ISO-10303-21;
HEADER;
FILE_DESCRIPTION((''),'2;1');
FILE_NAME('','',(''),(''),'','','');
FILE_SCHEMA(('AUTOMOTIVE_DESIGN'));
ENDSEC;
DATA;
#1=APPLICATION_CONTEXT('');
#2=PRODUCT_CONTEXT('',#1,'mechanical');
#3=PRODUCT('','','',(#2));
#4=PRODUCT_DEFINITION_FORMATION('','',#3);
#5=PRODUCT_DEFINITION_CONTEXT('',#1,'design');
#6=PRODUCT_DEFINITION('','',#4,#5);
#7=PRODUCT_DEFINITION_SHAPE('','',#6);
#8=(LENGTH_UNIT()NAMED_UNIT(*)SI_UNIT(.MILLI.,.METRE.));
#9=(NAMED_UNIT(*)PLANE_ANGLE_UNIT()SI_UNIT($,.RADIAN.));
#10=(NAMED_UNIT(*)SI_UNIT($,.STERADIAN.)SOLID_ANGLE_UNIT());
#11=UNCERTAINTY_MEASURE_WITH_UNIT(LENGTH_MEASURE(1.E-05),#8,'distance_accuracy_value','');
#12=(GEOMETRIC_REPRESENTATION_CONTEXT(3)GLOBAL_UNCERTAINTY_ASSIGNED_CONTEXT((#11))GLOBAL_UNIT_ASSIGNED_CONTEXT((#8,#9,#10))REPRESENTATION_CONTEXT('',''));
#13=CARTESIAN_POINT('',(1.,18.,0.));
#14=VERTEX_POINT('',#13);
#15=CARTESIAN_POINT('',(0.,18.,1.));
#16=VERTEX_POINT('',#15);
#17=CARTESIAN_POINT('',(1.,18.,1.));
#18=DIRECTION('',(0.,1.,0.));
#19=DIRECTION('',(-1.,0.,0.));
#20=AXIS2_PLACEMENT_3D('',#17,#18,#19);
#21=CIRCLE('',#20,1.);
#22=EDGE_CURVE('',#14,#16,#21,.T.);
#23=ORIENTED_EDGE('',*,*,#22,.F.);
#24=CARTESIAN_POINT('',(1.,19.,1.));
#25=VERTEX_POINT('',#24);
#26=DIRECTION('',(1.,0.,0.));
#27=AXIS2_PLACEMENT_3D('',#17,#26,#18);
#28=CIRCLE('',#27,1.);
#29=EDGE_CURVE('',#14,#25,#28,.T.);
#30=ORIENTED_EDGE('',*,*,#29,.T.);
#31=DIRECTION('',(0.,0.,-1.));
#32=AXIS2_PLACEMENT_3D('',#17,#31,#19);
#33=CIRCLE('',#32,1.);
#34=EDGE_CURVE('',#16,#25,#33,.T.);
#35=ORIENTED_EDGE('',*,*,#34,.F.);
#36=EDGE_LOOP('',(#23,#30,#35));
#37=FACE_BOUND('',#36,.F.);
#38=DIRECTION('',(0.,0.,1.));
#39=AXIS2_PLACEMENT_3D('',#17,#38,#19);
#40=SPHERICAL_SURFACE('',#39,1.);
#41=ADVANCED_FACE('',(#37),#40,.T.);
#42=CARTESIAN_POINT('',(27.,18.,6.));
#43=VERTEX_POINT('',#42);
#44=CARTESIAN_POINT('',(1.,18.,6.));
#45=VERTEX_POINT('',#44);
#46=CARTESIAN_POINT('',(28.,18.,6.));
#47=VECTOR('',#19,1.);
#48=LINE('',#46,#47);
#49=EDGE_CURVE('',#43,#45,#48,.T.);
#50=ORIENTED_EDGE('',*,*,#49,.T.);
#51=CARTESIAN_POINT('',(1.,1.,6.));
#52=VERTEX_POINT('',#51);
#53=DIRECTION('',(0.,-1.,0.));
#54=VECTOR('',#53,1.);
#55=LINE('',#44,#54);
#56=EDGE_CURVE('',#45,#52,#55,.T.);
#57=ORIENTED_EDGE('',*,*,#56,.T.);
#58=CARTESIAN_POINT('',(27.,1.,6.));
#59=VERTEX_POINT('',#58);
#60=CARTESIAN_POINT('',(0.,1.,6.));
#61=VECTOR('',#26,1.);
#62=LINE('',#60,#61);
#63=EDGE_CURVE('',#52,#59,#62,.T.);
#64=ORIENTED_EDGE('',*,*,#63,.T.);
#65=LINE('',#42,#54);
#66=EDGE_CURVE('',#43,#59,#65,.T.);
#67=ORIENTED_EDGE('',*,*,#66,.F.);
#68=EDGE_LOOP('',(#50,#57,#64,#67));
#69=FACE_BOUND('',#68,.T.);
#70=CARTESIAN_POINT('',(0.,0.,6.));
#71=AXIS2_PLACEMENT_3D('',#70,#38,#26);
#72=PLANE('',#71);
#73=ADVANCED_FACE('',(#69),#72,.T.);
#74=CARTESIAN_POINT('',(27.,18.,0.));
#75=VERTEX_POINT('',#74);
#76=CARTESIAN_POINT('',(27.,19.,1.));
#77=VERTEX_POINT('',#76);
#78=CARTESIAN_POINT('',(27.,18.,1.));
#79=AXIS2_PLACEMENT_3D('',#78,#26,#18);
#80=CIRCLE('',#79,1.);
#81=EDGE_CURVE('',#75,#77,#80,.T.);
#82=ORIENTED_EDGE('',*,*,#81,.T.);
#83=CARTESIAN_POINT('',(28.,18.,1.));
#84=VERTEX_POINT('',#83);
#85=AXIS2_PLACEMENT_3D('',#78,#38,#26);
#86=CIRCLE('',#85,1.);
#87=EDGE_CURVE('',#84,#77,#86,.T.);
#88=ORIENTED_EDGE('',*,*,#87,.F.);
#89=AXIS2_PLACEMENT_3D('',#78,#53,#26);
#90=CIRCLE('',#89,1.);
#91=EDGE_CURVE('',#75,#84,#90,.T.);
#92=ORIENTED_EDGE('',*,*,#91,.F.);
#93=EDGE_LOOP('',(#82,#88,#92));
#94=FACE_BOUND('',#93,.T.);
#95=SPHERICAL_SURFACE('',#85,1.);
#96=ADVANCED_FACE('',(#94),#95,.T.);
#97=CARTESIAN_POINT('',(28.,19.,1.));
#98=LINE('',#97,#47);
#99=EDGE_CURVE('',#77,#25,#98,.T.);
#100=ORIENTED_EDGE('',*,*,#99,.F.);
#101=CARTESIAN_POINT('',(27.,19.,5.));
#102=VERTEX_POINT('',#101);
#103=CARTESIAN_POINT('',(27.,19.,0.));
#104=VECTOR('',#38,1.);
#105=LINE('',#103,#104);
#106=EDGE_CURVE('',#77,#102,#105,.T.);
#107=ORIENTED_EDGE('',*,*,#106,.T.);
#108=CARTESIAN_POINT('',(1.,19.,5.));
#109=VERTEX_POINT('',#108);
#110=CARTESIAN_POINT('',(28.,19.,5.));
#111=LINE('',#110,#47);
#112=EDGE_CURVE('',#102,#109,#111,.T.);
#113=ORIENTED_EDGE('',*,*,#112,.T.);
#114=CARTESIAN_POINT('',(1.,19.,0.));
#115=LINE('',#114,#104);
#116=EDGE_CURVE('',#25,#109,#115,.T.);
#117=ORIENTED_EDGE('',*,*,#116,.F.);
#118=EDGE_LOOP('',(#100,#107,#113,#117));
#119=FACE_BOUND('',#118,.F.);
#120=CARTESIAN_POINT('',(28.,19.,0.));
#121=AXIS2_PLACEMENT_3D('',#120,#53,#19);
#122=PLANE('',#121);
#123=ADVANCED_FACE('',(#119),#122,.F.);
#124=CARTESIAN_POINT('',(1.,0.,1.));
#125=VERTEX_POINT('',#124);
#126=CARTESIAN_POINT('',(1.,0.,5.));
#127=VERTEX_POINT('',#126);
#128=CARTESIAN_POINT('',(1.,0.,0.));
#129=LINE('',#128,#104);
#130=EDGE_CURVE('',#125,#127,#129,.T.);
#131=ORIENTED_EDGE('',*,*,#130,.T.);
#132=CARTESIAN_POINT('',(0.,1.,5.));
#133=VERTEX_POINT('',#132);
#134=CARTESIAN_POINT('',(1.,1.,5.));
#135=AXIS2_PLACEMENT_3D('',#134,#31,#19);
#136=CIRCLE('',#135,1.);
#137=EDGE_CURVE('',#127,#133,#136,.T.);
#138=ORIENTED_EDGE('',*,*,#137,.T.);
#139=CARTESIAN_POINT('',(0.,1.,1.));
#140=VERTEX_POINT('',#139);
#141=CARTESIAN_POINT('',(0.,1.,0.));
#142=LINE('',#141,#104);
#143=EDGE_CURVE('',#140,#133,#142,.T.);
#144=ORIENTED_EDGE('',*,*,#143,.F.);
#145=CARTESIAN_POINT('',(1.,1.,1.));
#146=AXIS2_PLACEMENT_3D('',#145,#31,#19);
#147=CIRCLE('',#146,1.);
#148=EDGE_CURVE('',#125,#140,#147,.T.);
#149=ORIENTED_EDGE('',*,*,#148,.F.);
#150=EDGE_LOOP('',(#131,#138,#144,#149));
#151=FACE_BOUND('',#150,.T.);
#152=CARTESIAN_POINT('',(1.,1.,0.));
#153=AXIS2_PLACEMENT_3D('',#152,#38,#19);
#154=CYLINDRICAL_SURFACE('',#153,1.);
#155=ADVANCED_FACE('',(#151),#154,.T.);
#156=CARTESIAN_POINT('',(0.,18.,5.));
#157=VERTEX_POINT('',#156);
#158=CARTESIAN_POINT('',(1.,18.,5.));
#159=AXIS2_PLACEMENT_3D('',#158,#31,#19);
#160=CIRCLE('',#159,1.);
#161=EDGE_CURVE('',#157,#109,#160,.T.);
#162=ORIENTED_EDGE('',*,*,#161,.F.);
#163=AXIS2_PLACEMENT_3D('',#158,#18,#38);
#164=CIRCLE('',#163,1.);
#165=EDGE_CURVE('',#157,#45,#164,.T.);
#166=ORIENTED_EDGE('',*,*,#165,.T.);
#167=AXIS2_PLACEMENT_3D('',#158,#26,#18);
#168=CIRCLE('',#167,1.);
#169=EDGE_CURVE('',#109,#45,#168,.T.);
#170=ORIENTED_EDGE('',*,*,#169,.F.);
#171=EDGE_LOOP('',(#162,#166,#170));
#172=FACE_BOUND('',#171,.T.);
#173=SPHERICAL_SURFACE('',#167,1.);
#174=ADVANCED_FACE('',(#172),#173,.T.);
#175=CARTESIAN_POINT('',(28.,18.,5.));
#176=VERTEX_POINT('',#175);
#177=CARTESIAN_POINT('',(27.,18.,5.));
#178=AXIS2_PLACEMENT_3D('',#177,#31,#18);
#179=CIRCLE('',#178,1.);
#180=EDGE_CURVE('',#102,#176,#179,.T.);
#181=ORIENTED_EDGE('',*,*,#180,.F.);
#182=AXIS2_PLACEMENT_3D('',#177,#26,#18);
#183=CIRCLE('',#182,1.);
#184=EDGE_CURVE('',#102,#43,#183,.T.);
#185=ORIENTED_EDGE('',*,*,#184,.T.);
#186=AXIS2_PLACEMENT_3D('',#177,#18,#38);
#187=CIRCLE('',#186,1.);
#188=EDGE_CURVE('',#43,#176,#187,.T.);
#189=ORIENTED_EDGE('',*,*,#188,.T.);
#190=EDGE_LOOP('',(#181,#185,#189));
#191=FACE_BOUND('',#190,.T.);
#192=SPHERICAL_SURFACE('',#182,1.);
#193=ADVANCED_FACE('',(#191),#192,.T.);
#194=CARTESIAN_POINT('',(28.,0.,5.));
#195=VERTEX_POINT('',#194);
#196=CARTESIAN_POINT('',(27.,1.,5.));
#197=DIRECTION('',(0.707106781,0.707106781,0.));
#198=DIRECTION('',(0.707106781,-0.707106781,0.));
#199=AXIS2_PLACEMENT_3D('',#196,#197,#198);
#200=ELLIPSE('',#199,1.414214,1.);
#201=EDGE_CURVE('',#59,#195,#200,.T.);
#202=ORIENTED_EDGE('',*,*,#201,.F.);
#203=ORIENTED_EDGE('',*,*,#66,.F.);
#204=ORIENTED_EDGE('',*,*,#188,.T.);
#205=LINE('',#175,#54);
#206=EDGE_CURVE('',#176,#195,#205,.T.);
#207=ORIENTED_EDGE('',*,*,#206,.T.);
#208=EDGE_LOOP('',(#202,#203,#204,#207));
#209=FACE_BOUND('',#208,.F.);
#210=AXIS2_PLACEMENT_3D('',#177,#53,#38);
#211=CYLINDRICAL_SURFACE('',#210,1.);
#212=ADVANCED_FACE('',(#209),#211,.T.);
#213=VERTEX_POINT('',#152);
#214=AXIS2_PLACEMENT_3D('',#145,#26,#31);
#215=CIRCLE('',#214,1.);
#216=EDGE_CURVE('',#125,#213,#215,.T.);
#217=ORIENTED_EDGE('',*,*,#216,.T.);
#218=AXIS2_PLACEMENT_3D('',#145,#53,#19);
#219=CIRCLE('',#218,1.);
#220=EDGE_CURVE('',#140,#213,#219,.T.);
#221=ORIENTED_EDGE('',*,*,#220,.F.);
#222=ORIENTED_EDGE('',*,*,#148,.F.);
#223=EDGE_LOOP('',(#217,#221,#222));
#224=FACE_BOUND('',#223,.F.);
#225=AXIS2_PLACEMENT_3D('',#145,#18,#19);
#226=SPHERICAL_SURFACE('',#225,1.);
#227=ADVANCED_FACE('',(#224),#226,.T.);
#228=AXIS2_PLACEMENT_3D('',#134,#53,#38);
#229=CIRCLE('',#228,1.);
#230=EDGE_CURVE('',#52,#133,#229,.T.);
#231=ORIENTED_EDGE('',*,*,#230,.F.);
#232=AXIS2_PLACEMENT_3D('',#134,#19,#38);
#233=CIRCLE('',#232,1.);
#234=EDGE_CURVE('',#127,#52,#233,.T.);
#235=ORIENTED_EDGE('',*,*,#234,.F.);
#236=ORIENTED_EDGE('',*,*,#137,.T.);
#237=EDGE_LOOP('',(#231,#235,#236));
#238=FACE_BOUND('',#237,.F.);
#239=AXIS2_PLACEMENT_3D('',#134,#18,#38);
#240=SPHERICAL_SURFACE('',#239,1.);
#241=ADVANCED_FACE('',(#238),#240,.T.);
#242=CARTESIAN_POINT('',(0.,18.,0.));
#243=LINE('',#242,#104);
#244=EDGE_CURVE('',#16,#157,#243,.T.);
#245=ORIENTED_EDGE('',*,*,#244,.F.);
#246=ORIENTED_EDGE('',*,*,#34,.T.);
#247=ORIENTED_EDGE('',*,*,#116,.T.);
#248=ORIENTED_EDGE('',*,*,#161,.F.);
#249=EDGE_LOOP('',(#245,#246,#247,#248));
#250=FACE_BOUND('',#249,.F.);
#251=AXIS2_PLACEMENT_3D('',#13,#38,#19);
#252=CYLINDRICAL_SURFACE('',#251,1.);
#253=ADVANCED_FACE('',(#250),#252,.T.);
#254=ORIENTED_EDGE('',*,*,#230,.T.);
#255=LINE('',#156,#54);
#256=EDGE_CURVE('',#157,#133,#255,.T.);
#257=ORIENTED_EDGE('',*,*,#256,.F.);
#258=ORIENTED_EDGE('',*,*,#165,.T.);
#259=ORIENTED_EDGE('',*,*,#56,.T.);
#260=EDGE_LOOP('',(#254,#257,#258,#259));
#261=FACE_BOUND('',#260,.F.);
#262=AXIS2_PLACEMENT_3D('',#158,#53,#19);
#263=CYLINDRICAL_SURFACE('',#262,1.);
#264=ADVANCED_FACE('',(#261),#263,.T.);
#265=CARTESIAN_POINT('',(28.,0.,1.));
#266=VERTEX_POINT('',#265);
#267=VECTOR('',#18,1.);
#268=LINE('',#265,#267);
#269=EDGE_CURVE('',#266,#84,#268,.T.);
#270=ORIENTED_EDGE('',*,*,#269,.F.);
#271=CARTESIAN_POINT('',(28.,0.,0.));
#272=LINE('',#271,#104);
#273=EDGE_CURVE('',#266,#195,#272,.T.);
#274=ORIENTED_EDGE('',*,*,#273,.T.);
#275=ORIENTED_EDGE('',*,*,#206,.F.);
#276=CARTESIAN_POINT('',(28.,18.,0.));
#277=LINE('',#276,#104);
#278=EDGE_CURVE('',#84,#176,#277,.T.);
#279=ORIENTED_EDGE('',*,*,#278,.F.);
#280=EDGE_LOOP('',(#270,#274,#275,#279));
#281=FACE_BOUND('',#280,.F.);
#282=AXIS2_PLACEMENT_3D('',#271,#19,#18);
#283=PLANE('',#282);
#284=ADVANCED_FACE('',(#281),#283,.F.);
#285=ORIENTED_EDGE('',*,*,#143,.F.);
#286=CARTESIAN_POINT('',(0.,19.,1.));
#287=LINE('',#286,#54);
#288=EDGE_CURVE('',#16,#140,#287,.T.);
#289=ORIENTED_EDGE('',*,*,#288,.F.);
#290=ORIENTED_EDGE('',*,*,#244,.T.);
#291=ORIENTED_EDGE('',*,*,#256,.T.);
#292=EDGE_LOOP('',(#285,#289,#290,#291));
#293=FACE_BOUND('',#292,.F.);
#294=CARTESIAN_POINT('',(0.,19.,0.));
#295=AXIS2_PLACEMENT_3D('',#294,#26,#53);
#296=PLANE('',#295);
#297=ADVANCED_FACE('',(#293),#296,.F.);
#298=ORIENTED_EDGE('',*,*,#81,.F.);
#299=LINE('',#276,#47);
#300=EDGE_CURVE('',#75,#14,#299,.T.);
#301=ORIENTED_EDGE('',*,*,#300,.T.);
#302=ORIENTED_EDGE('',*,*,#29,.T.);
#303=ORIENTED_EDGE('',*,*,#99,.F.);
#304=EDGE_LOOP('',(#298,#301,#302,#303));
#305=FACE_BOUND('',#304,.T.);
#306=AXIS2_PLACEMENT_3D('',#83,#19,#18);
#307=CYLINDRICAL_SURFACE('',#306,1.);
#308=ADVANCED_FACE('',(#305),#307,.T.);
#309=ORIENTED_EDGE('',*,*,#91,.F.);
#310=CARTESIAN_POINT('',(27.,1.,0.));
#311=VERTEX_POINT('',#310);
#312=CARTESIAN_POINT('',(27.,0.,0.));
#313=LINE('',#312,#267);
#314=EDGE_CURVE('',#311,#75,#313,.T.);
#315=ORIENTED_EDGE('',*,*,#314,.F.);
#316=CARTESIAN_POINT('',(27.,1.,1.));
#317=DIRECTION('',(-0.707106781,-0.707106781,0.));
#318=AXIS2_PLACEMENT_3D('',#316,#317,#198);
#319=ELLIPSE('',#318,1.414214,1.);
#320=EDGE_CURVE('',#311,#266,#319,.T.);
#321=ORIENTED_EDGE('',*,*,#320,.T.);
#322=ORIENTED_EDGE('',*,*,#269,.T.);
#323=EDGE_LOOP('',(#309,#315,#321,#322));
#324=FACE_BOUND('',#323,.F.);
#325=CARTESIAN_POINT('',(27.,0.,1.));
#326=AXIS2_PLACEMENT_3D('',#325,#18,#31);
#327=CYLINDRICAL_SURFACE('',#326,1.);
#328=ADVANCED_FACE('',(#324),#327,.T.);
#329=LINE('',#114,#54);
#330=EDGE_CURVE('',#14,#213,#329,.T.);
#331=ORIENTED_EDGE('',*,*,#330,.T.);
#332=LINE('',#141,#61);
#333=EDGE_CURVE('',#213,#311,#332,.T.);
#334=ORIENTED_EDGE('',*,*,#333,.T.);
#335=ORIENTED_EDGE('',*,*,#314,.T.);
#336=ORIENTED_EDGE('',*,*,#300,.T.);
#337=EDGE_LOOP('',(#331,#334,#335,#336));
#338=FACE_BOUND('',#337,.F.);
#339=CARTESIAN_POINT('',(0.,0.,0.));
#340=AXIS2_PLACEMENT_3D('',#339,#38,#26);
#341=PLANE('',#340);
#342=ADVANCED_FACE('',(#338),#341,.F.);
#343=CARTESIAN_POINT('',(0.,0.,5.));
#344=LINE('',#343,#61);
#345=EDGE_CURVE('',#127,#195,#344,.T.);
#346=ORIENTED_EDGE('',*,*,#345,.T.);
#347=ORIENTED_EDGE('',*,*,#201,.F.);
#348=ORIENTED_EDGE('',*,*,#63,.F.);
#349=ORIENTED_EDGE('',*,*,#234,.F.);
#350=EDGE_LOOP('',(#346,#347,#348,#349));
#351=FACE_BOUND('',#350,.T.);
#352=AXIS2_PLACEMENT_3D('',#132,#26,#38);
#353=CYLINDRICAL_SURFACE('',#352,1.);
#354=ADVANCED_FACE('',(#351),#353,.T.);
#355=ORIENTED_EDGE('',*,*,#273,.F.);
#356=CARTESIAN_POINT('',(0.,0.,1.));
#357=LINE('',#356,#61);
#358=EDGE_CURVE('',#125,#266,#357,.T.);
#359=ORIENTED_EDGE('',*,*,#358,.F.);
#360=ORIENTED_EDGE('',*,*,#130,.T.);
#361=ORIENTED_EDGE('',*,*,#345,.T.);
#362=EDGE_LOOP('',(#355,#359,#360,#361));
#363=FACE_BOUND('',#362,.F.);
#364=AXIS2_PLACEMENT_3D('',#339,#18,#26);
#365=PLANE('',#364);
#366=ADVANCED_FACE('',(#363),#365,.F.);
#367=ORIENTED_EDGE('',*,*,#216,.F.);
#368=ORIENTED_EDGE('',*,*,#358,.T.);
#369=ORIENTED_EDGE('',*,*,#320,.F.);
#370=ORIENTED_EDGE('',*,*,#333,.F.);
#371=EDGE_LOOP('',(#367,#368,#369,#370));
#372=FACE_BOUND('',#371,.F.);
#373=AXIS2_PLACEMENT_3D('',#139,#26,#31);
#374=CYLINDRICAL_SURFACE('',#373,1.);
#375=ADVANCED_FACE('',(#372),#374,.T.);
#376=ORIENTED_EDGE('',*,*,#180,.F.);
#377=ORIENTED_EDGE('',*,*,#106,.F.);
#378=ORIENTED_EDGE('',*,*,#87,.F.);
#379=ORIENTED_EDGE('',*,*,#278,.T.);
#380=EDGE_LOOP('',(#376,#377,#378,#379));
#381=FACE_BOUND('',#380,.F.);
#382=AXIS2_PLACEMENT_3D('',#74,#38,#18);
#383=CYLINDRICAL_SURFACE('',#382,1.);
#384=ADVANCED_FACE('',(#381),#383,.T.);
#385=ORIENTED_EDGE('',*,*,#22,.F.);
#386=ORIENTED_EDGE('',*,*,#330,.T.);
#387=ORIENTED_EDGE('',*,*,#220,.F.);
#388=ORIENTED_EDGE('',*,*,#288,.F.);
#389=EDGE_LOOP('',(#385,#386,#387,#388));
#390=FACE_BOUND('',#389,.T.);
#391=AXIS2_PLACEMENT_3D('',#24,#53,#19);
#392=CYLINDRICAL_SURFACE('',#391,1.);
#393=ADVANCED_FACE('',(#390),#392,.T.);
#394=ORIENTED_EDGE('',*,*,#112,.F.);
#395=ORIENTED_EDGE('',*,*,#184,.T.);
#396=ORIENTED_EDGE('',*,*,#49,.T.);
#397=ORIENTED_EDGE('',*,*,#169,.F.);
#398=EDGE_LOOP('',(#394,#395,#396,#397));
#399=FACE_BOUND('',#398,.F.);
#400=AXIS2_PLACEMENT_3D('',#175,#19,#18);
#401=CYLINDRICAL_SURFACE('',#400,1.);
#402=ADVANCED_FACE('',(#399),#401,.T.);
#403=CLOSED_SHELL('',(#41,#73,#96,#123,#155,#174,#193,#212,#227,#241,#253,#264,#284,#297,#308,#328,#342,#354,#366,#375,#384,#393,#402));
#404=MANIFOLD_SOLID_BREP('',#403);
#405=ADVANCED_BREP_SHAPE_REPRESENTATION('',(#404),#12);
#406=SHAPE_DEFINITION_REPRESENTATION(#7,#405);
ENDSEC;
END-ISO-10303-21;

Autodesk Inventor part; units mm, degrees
ref_plane "YZ Plane" through (0, 0, 0) normal (1, 0, 0) x (0, 1, 0)
ref_plane "XZ Plane" through (0, 0, 0) normal (0, 1, 0) x (-1, 0, 0)
ref_plane "XY Plane" through (0, 0, 0) normal (0, 0, 1) x (1, 0, 0)
sketch "Skizze1" plane through (0, 0, 0) normal (0, 0, 1) x (1, 0, 0)
  line L0 (0, 0) -> (28, 0)
  line L1 (28, 0) -> (28, 19)
  line L2 (28, 19) -> (0, 19)
  line L3 (0, 19) -> (0, 0)
  dimension "d0" = 28
  dimension "d1" = 19
extrude "Extrusion1" add sketch "Skizze1" along normal blind 6
fillet "Rundung1" radius 1 1 edges at (14, 19, 6)
fillet "Rundung2" radius 1 12 edges at (0, 9, 6) (0, 18.7071, 5.7071) (0, 19, 2.5) (14, 0, 6) (28, 18.7071, 5.7071) (28, 19, 2.5) (28, 9, 6) (0, 9.5, 0) (0, 0, 3) (14, 0, 0) (28, 9.5, 0) (14, 19, 0)
properties part number "LiPo_Akku"
